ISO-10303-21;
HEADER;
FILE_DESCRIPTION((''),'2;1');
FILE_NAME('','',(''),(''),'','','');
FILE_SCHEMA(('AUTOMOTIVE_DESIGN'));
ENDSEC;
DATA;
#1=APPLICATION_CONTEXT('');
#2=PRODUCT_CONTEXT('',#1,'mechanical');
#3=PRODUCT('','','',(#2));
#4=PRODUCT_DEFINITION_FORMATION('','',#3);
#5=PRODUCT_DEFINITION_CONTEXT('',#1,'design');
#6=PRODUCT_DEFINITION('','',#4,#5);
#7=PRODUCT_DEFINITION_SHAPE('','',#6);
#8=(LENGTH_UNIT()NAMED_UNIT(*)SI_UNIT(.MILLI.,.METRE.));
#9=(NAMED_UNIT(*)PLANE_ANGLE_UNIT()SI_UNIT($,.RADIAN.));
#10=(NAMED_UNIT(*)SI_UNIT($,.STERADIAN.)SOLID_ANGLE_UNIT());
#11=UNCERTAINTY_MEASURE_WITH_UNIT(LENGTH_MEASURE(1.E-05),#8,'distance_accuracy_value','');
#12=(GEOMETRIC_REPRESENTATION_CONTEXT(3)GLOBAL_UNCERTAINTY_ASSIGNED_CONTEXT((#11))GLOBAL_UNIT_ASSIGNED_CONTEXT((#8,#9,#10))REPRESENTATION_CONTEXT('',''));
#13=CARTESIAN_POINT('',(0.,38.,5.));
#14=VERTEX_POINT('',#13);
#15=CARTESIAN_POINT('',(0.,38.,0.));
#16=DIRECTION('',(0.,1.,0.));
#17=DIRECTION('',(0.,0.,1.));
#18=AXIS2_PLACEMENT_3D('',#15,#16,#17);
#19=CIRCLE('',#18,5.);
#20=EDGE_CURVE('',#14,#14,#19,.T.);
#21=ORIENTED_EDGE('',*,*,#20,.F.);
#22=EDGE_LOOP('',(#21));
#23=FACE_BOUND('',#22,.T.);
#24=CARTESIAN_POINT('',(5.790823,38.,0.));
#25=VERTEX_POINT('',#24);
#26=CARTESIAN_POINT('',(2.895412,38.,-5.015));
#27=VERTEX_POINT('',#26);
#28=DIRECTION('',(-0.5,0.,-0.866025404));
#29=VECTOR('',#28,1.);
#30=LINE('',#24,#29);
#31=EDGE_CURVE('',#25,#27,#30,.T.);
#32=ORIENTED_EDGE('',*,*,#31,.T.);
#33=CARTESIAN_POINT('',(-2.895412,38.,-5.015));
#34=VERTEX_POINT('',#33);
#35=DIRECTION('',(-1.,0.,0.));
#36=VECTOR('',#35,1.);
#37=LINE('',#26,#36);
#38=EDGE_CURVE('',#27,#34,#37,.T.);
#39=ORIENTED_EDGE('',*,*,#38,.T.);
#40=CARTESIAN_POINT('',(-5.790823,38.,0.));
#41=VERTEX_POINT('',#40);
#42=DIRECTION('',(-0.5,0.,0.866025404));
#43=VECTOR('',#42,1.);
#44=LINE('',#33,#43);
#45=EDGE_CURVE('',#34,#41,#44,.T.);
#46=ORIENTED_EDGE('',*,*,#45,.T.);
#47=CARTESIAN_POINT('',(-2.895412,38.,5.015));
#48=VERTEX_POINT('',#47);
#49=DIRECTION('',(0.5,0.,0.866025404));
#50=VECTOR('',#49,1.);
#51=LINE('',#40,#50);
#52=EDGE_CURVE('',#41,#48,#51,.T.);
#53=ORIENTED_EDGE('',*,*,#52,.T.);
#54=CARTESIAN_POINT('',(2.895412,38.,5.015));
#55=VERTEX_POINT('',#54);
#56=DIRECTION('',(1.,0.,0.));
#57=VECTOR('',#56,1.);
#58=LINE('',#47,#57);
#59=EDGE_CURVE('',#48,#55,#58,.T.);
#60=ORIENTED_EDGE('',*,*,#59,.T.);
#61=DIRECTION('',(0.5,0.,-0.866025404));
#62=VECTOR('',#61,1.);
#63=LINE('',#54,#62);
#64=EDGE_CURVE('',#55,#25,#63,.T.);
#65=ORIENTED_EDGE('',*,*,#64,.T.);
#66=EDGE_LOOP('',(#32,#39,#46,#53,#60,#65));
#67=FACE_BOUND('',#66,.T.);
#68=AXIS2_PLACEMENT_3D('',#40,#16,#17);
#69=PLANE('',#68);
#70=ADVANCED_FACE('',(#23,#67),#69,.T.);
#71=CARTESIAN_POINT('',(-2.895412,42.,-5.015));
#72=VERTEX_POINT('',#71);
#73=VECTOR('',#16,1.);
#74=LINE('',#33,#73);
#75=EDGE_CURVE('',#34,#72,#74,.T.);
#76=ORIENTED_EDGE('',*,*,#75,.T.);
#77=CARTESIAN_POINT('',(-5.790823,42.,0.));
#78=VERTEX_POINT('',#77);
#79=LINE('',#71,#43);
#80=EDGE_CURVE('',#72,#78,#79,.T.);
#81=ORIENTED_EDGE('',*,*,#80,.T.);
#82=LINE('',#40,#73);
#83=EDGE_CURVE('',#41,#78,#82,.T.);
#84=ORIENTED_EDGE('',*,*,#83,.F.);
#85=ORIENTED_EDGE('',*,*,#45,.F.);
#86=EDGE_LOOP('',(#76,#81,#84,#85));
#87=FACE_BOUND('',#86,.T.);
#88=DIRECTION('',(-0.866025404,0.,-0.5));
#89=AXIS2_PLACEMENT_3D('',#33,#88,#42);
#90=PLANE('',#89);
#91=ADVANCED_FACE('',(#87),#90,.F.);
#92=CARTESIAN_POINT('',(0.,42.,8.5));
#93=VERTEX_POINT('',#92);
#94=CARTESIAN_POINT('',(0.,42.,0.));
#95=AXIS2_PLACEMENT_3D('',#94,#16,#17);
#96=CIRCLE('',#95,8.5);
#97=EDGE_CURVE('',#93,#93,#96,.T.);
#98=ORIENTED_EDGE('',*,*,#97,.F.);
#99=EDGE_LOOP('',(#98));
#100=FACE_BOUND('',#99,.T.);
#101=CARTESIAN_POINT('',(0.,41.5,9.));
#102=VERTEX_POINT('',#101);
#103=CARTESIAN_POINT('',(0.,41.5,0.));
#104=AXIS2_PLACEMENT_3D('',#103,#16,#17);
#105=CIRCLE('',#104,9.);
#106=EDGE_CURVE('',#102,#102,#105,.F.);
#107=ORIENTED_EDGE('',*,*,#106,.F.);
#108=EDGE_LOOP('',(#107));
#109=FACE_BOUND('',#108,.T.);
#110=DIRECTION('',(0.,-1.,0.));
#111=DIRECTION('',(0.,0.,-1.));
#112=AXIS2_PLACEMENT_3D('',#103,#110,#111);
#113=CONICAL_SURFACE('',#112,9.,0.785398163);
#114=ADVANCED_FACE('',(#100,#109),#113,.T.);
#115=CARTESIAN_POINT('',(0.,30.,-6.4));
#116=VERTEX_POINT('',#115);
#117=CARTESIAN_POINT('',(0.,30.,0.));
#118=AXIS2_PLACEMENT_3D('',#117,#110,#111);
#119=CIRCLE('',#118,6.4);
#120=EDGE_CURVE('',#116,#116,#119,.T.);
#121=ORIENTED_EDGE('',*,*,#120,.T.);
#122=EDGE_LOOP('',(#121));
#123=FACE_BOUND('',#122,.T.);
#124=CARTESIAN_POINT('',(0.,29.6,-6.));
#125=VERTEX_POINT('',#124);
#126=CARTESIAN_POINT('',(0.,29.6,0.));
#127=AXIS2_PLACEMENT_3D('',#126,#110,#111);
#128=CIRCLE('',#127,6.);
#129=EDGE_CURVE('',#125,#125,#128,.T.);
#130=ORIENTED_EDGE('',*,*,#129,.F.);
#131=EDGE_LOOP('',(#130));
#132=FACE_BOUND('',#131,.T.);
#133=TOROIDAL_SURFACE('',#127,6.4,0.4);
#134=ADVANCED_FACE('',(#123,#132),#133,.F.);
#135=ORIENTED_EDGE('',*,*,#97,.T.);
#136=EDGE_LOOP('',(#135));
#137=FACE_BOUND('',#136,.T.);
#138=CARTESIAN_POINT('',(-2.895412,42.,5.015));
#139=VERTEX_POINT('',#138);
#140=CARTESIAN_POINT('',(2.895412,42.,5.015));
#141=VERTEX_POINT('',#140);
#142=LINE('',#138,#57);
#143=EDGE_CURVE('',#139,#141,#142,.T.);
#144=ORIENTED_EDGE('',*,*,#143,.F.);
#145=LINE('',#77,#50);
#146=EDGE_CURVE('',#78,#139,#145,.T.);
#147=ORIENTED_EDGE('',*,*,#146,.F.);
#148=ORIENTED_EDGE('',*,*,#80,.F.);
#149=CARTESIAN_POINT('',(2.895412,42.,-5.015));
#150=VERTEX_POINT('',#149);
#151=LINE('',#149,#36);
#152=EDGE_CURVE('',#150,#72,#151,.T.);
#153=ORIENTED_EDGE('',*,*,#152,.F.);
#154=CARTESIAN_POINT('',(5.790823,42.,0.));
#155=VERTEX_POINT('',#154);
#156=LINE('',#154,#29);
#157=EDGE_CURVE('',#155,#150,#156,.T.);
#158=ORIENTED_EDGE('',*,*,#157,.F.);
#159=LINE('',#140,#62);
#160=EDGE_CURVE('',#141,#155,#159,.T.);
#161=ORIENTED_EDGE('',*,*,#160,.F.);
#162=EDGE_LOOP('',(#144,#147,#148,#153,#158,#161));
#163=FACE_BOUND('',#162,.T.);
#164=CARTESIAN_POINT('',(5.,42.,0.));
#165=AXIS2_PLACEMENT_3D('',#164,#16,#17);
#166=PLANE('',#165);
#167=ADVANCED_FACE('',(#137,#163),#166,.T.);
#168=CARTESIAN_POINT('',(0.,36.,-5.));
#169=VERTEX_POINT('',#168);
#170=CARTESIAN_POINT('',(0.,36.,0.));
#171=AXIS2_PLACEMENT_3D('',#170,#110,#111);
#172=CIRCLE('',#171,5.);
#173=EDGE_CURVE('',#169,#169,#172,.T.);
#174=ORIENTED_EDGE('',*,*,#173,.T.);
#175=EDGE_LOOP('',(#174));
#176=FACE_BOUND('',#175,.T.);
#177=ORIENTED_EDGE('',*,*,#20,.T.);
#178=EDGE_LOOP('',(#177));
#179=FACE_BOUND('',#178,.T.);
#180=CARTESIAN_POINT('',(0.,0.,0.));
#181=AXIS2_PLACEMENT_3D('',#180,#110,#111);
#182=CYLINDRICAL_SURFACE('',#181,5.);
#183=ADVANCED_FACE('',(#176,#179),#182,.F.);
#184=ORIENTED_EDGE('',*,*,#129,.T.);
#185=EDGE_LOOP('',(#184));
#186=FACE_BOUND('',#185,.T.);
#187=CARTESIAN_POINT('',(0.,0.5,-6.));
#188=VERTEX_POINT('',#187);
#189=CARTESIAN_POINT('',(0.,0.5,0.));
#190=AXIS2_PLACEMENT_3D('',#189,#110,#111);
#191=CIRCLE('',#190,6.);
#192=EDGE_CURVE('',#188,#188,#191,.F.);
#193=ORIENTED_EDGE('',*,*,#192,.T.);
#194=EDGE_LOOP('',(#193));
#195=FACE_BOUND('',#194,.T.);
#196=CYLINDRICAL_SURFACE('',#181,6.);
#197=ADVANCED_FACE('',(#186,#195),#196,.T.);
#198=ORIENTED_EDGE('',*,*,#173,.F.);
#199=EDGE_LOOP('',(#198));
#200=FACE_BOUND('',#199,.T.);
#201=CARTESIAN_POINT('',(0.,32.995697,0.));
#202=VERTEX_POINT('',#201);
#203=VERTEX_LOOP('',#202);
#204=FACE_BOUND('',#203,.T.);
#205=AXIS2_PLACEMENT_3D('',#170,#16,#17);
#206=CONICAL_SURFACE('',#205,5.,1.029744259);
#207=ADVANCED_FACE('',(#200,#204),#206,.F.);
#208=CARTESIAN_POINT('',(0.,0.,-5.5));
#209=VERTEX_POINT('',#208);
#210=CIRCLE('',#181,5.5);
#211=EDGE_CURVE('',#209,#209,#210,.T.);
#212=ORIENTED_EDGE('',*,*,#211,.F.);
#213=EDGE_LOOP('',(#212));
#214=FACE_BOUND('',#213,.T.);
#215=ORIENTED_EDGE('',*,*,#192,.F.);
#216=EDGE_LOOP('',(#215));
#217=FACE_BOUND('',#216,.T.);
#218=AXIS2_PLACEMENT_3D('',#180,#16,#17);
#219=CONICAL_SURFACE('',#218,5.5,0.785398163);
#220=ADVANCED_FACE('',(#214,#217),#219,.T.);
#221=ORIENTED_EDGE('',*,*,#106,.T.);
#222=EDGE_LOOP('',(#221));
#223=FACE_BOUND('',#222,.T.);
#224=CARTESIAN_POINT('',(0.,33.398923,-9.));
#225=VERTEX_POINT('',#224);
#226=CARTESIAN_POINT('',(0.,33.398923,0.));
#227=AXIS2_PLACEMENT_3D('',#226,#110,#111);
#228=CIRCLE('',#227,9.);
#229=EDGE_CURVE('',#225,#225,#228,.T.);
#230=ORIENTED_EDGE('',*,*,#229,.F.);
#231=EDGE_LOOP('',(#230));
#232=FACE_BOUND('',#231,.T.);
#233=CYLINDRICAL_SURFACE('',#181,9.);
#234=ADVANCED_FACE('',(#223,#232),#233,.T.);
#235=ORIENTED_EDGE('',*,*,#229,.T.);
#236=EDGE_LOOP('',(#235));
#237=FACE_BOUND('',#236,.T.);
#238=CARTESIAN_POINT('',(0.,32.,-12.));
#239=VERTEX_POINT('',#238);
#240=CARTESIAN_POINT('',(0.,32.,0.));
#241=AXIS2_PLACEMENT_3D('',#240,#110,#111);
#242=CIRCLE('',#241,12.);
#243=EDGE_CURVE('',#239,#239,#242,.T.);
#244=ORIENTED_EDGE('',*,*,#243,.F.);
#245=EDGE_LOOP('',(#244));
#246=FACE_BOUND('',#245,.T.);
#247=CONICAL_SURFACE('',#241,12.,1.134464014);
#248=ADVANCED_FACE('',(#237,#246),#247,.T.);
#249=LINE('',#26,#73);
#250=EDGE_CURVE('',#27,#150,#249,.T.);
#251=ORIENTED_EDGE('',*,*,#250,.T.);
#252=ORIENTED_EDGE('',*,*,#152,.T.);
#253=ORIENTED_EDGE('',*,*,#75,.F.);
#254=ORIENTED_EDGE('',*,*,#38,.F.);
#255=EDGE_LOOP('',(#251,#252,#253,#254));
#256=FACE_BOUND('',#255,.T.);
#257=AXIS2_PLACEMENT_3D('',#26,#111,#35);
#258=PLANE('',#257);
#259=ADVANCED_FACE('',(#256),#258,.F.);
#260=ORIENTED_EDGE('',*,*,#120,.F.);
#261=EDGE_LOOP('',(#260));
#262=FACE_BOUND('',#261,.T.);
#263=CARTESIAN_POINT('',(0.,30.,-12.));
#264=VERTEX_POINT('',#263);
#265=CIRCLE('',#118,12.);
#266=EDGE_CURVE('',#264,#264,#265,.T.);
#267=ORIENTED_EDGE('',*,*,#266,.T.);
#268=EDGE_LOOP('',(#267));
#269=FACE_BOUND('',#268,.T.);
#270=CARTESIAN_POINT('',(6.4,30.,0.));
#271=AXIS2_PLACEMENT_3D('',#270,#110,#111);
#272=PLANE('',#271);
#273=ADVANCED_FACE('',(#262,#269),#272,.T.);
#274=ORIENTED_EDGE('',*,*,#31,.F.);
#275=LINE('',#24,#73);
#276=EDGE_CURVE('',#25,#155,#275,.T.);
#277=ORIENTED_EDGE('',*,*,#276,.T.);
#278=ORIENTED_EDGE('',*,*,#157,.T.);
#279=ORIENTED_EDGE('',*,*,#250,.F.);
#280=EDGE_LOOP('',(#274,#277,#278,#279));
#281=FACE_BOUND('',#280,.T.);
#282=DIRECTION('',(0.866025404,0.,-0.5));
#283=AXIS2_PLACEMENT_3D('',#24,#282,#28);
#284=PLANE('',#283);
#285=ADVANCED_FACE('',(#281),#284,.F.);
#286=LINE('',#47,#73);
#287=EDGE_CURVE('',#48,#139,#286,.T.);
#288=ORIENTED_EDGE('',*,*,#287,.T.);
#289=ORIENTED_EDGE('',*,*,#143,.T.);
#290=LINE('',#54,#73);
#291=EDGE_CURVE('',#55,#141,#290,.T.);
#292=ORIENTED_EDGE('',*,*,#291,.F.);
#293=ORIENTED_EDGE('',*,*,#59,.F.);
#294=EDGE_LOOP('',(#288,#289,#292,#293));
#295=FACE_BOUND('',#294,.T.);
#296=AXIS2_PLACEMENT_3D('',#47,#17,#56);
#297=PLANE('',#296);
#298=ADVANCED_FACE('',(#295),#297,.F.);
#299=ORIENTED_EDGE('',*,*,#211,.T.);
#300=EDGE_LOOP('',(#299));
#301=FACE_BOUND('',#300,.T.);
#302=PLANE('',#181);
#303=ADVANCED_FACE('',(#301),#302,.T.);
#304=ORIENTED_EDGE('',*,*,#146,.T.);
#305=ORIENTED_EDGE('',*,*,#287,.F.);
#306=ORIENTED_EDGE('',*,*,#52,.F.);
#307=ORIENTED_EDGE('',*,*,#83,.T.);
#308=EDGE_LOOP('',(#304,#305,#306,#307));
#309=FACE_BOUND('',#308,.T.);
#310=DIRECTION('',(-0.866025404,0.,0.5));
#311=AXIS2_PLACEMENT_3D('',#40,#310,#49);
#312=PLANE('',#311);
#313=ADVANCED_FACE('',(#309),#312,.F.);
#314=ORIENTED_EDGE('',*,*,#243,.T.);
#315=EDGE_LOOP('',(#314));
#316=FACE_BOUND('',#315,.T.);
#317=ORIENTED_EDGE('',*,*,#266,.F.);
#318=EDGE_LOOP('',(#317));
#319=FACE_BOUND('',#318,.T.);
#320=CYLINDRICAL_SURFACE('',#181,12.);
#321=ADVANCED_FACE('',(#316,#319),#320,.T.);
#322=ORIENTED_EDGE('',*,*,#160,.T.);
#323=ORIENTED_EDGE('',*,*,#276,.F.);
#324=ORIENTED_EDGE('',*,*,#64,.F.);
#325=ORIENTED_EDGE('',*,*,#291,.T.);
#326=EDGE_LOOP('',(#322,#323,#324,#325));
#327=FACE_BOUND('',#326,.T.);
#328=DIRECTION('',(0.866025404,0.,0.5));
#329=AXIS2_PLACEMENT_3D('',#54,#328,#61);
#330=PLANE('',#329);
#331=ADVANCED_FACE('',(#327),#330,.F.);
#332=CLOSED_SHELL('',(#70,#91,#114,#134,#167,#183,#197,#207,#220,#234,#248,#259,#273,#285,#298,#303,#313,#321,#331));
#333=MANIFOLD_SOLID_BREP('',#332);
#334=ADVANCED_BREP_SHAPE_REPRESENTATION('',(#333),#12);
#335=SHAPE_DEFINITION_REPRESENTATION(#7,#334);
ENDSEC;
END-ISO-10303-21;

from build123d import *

# Parameters (mm, degrees)
HEX_KEY_1_DEPTH     = 4
CHAMFER_HEAD_SIZE   = 0.5
CHAMFER_THREAD_SIZE = 0.5


with BuildPart() as part:
    # Sketch1 → Main Body (revolve)
    with BuildSketch(Plane.XY, mode=Mode.PRIVATE) as main_body_sk:
        with BuildLine():
            Line((5, 42), (9, 42))
            Line((9, 42), (9, 33.398922974))
            Line((9, 33.398922974), (12, 32))
            Line((12, 32), (12, 30))
            Line((12, 30), (6.4, 30))
            ThreePointArc((6.4, 30), (6.117157288, 29.882842712), (6, 29.6))
            Line((6, 29.6), (6, 0))
            Line((6, 0), (0, 0))
            Line((0, 0), (0, 32.995696905))
            Line((0, 32.995696905), (5, 36))
            Line((5, 36), (5, 42))
        make_face()
    revolve(main_body_sk.sketch.rotate(Axis((0, 0, 0), (0, 1, 0)), 90), axis=Axis((0, 0, 0), (0, 1, 0)))  # turned: the seam where the file's is

    # Sketch2 → Hex Key 1 (cut)
    with BuildSketch(Plane(origin=(0, 42, 0), x_dir=(1, 0, 0), z_dir=(0, 1, 0))):
        Polygon((-5.7908232, 0), (-2.8954116, -5.015), (2.8954116, -5.015), (5.7908232, 0), (2.8954116, 5.015), (-2.8954116, 5.015), align=None)
    extrude(amount=-HEX_KEY_1_DEPTH, mode=Mode.SUBTRACT)

    # Chamfer-Head
    chamfer_head_edges = [part.edges().sort_by_distance(p)[0] for p in [
        (0, 42, 9),
    ]]
    chamfer(chamfer_head_edges, length=CHAMFER_HEAD_SIZE)

    # Chamfer-Thread
    chamfer_thread_edges = [part.edges().sort_by_distance(p)[0] for p in [
        (0, 0, 6),
    ]]
    chamfer(chamfer_thread_edges, length=CHAMFER_THREAD_SIZE)


solid = part.part
